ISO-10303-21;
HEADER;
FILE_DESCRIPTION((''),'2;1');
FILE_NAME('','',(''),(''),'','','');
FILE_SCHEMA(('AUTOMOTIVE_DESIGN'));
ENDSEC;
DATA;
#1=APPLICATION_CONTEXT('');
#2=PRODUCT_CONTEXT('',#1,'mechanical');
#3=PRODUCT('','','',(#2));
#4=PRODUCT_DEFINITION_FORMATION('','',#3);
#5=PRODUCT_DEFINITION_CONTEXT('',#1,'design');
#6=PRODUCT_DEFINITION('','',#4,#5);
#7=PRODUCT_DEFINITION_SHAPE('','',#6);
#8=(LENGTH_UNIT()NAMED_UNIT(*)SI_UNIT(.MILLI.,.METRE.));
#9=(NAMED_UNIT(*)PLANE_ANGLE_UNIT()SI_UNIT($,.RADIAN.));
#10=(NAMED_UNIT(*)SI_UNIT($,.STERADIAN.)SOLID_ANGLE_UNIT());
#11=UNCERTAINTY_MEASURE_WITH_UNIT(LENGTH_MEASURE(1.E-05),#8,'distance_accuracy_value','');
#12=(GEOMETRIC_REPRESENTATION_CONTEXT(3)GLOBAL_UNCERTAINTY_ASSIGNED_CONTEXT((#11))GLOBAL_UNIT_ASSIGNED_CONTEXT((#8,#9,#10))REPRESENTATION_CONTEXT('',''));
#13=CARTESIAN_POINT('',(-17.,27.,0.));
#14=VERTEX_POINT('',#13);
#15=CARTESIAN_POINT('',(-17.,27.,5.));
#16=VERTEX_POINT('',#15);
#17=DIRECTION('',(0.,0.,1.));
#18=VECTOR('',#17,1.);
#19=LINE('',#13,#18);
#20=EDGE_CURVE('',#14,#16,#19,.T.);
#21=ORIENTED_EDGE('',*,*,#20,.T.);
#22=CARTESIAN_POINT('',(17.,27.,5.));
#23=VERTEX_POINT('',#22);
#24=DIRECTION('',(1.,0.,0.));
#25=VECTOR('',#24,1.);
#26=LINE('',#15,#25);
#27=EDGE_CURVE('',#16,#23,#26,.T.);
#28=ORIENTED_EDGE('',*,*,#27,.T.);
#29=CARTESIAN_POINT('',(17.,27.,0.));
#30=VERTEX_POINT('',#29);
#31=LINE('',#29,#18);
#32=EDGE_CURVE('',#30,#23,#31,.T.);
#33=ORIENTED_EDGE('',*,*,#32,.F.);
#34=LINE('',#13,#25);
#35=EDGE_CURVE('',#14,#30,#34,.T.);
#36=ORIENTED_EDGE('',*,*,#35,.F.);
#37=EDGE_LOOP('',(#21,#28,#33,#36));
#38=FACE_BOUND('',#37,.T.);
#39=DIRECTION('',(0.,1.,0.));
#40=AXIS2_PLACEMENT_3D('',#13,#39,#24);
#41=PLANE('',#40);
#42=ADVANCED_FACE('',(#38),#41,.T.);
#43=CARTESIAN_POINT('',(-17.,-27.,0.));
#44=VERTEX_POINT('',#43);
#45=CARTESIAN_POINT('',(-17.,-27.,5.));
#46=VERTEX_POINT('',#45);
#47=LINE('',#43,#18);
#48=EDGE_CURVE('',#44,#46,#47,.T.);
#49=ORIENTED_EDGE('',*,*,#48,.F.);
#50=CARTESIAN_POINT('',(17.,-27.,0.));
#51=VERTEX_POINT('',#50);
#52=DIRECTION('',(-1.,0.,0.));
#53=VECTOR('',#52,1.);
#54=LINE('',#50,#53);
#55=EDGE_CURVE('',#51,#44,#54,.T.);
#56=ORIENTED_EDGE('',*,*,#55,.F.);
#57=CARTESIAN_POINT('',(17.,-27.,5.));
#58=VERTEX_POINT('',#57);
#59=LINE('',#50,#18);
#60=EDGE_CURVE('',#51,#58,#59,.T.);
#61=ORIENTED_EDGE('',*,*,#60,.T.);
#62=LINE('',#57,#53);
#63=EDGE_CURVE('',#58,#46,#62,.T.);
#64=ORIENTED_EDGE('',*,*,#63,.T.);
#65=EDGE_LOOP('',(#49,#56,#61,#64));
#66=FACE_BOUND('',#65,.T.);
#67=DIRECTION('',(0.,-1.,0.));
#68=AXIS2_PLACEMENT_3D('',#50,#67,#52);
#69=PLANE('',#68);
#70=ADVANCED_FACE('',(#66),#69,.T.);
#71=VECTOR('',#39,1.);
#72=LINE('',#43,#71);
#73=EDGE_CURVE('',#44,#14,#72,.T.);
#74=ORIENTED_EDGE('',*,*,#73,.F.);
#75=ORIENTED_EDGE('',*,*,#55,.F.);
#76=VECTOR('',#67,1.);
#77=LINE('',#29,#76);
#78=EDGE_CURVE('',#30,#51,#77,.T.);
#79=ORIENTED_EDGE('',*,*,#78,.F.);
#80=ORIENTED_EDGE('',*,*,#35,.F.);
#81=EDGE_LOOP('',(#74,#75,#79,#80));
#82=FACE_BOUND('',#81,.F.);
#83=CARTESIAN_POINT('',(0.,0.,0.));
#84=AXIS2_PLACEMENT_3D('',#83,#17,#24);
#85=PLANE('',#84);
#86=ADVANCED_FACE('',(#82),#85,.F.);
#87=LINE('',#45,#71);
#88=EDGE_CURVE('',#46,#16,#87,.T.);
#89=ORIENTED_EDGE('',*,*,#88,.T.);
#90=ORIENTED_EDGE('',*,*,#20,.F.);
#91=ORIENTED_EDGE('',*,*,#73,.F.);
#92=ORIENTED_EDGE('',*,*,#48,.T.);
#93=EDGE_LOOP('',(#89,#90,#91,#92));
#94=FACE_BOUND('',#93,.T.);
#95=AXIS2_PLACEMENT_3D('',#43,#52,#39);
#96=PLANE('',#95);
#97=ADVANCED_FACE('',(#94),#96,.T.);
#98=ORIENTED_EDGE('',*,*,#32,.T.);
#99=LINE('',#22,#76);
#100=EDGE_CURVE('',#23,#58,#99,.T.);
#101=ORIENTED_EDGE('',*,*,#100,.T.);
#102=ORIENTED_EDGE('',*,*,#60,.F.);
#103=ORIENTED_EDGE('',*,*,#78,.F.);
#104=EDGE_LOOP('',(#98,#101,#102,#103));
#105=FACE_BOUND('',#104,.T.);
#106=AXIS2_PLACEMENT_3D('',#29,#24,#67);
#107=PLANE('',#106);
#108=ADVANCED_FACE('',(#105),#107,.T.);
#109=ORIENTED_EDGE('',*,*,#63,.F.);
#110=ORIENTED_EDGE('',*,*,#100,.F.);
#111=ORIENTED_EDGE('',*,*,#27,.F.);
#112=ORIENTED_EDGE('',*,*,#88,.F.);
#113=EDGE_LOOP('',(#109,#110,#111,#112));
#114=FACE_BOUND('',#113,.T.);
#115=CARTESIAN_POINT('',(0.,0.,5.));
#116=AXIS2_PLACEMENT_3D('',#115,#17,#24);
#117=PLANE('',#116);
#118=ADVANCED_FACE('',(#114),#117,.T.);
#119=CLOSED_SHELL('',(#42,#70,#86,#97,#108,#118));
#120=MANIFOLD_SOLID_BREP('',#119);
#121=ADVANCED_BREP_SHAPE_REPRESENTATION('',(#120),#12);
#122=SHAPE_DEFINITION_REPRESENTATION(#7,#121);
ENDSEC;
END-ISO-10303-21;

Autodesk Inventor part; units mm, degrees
ref_plane "YZ Plane" through (0, 0, 0) normal (1, 0, 0) x (0, 1, 0)
ref_plane "XZ Plane" through (0, 0, 0) normal (0, 1, 0) x (-1, 0, 0)
ref_plane "XY Plane" through (0, 0, 0) normal (0, 0, 1) x (1, 0, 0)
sketch "Sketch1" plane through (0, 0, 0) normal (0, 0, 1) x (1, 0, 0)
  line L0 (0, 20.1746) -> (0, -21.4461) construction
  line L1 (-20.2028, 0) -> (20.1685, 0) construction
  line L2 (-17, 27) -> (17, 27)
  line L3 (17, 27) -> (17, -27)
  line L4 (17, -27) -> (-17, -27)
  line L5 (-17, -27) -> (-17, 27)
  point P0 (0, 0)
  dimension "d0" = 54
  dimension "d1" = 27
  dimension "d2" = 34
  dimension "d3" = 17
extrude "Extrusion1" add sketch "Sketch1" along normal blind 5
fillet "Fillet1" [suppressed]
chamfer "Chamfer1" [suppressed]
equation "\"d0\" = height"
equation "\"d1\" = 0.5 * height"
equation "\"d2\" = width"
equation "\"d3\" = 0.5 * width"
equation "\"d4\" = thickness"
equation "\"fillet\" = 0"
equation "\"chamfer\" = 0"
equation "\"thickness\" = 5"
equation "\"width\" = 34"
equation "\"height\" = 54"
properties part number "Plate Sharp Corners (mm) 34 x 54 x 5" material "Steel, Mild"
